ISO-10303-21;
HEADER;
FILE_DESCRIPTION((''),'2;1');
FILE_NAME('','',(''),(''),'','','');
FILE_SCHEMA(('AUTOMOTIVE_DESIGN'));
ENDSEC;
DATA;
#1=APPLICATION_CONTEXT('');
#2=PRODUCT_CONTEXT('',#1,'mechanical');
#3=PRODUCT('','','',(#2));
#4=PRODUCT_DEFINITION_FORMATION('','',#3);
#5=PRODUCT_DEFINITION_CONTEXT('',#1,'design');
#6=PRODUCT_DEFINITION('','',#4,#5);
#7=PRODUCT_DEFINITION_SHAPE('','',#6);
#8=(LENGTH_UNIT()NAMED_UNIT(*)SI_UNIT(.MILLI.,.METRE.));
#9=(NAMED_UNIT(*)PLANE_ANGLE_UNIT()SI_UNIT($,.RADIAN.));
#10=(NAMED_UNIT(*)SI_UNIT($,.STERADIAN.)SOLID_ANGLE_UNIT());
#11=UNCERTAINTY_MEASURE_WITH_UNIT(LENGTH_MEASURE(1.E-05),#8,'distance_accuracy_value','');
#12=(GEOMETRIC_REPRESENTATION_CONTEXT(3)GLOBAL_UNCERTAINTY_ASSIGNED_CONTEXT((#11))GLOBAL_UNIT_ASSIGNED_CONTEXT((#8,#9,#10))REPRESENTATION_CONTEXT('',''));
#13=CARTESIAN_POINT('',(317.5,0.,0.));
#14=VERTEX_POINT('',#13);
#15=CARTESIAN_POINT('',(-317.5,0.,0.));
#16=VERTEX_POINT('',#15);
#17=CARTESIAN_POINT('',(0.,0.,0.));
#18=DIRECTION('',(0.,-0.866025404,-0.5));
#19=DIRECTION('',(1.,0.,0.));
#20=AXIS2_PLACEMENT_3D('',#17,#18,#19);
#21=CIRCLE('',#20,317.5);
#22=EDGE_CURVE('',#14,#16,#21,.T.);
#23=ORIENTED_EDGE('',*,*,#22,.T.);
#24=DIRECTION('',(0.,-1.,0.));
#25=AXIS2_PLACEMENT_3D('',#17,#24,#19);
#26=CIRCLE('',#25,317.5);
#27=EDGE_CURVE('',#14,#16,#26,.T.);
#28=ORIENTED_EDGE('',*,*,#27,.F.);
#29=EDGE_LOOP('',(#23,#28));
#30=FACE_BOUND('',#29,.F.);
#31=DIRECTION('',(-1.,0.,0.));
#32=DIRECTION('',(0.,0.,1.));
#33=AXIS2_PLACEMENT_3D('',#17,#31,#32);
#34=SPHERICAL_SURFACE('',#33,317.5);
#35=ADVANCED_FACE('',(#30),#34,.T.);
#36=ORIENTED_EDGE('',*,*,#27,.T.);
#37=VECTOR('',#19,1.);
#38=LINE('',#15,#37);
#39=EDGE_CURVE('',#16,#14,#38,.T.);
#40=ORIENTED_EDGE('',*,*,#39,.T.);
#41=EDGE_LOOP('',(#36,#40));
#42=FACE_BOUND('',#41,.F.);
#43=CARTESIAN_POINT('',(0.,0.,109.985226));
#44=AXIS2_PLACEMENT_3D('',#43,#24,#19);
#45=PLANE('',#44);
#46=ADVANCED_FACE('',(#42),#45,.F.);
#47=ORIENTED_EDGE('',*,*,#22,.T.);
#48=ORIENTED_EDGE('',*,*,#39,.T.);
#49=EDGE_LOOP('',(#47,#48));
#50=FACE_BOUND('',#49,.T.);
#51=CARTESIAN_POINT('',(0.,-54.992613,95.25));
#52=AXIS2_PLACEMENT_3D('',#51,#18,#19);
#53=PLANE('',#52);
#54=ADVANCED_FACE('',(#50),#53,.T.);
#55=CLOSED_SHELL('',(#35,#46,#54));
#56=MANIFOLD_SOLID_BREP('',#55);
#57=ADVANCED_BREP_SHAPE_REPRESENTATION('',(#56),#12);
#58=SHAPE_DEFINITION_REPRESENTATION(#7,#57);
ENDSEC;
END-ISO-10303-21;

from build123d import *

# Parameters (mm, degrees)
F1_ANGLE = 30


with BuildPart() as f1:
    # F0 (on Front) → F1 (revolve)
    with BuildSketch(Plane.XZ):
        with BuildLine():
            ThreePointArc((317.5, 0), (0, 317.5), (-317.5, 0))
            Line((-317.5, 0), (317.5, 0))
        make_face()
    revolve(axis=Axis((-57.398039653, 0, 0), (1, 0, 0)), revolution_arc=F1_ANGLE)


solid = f1.part
